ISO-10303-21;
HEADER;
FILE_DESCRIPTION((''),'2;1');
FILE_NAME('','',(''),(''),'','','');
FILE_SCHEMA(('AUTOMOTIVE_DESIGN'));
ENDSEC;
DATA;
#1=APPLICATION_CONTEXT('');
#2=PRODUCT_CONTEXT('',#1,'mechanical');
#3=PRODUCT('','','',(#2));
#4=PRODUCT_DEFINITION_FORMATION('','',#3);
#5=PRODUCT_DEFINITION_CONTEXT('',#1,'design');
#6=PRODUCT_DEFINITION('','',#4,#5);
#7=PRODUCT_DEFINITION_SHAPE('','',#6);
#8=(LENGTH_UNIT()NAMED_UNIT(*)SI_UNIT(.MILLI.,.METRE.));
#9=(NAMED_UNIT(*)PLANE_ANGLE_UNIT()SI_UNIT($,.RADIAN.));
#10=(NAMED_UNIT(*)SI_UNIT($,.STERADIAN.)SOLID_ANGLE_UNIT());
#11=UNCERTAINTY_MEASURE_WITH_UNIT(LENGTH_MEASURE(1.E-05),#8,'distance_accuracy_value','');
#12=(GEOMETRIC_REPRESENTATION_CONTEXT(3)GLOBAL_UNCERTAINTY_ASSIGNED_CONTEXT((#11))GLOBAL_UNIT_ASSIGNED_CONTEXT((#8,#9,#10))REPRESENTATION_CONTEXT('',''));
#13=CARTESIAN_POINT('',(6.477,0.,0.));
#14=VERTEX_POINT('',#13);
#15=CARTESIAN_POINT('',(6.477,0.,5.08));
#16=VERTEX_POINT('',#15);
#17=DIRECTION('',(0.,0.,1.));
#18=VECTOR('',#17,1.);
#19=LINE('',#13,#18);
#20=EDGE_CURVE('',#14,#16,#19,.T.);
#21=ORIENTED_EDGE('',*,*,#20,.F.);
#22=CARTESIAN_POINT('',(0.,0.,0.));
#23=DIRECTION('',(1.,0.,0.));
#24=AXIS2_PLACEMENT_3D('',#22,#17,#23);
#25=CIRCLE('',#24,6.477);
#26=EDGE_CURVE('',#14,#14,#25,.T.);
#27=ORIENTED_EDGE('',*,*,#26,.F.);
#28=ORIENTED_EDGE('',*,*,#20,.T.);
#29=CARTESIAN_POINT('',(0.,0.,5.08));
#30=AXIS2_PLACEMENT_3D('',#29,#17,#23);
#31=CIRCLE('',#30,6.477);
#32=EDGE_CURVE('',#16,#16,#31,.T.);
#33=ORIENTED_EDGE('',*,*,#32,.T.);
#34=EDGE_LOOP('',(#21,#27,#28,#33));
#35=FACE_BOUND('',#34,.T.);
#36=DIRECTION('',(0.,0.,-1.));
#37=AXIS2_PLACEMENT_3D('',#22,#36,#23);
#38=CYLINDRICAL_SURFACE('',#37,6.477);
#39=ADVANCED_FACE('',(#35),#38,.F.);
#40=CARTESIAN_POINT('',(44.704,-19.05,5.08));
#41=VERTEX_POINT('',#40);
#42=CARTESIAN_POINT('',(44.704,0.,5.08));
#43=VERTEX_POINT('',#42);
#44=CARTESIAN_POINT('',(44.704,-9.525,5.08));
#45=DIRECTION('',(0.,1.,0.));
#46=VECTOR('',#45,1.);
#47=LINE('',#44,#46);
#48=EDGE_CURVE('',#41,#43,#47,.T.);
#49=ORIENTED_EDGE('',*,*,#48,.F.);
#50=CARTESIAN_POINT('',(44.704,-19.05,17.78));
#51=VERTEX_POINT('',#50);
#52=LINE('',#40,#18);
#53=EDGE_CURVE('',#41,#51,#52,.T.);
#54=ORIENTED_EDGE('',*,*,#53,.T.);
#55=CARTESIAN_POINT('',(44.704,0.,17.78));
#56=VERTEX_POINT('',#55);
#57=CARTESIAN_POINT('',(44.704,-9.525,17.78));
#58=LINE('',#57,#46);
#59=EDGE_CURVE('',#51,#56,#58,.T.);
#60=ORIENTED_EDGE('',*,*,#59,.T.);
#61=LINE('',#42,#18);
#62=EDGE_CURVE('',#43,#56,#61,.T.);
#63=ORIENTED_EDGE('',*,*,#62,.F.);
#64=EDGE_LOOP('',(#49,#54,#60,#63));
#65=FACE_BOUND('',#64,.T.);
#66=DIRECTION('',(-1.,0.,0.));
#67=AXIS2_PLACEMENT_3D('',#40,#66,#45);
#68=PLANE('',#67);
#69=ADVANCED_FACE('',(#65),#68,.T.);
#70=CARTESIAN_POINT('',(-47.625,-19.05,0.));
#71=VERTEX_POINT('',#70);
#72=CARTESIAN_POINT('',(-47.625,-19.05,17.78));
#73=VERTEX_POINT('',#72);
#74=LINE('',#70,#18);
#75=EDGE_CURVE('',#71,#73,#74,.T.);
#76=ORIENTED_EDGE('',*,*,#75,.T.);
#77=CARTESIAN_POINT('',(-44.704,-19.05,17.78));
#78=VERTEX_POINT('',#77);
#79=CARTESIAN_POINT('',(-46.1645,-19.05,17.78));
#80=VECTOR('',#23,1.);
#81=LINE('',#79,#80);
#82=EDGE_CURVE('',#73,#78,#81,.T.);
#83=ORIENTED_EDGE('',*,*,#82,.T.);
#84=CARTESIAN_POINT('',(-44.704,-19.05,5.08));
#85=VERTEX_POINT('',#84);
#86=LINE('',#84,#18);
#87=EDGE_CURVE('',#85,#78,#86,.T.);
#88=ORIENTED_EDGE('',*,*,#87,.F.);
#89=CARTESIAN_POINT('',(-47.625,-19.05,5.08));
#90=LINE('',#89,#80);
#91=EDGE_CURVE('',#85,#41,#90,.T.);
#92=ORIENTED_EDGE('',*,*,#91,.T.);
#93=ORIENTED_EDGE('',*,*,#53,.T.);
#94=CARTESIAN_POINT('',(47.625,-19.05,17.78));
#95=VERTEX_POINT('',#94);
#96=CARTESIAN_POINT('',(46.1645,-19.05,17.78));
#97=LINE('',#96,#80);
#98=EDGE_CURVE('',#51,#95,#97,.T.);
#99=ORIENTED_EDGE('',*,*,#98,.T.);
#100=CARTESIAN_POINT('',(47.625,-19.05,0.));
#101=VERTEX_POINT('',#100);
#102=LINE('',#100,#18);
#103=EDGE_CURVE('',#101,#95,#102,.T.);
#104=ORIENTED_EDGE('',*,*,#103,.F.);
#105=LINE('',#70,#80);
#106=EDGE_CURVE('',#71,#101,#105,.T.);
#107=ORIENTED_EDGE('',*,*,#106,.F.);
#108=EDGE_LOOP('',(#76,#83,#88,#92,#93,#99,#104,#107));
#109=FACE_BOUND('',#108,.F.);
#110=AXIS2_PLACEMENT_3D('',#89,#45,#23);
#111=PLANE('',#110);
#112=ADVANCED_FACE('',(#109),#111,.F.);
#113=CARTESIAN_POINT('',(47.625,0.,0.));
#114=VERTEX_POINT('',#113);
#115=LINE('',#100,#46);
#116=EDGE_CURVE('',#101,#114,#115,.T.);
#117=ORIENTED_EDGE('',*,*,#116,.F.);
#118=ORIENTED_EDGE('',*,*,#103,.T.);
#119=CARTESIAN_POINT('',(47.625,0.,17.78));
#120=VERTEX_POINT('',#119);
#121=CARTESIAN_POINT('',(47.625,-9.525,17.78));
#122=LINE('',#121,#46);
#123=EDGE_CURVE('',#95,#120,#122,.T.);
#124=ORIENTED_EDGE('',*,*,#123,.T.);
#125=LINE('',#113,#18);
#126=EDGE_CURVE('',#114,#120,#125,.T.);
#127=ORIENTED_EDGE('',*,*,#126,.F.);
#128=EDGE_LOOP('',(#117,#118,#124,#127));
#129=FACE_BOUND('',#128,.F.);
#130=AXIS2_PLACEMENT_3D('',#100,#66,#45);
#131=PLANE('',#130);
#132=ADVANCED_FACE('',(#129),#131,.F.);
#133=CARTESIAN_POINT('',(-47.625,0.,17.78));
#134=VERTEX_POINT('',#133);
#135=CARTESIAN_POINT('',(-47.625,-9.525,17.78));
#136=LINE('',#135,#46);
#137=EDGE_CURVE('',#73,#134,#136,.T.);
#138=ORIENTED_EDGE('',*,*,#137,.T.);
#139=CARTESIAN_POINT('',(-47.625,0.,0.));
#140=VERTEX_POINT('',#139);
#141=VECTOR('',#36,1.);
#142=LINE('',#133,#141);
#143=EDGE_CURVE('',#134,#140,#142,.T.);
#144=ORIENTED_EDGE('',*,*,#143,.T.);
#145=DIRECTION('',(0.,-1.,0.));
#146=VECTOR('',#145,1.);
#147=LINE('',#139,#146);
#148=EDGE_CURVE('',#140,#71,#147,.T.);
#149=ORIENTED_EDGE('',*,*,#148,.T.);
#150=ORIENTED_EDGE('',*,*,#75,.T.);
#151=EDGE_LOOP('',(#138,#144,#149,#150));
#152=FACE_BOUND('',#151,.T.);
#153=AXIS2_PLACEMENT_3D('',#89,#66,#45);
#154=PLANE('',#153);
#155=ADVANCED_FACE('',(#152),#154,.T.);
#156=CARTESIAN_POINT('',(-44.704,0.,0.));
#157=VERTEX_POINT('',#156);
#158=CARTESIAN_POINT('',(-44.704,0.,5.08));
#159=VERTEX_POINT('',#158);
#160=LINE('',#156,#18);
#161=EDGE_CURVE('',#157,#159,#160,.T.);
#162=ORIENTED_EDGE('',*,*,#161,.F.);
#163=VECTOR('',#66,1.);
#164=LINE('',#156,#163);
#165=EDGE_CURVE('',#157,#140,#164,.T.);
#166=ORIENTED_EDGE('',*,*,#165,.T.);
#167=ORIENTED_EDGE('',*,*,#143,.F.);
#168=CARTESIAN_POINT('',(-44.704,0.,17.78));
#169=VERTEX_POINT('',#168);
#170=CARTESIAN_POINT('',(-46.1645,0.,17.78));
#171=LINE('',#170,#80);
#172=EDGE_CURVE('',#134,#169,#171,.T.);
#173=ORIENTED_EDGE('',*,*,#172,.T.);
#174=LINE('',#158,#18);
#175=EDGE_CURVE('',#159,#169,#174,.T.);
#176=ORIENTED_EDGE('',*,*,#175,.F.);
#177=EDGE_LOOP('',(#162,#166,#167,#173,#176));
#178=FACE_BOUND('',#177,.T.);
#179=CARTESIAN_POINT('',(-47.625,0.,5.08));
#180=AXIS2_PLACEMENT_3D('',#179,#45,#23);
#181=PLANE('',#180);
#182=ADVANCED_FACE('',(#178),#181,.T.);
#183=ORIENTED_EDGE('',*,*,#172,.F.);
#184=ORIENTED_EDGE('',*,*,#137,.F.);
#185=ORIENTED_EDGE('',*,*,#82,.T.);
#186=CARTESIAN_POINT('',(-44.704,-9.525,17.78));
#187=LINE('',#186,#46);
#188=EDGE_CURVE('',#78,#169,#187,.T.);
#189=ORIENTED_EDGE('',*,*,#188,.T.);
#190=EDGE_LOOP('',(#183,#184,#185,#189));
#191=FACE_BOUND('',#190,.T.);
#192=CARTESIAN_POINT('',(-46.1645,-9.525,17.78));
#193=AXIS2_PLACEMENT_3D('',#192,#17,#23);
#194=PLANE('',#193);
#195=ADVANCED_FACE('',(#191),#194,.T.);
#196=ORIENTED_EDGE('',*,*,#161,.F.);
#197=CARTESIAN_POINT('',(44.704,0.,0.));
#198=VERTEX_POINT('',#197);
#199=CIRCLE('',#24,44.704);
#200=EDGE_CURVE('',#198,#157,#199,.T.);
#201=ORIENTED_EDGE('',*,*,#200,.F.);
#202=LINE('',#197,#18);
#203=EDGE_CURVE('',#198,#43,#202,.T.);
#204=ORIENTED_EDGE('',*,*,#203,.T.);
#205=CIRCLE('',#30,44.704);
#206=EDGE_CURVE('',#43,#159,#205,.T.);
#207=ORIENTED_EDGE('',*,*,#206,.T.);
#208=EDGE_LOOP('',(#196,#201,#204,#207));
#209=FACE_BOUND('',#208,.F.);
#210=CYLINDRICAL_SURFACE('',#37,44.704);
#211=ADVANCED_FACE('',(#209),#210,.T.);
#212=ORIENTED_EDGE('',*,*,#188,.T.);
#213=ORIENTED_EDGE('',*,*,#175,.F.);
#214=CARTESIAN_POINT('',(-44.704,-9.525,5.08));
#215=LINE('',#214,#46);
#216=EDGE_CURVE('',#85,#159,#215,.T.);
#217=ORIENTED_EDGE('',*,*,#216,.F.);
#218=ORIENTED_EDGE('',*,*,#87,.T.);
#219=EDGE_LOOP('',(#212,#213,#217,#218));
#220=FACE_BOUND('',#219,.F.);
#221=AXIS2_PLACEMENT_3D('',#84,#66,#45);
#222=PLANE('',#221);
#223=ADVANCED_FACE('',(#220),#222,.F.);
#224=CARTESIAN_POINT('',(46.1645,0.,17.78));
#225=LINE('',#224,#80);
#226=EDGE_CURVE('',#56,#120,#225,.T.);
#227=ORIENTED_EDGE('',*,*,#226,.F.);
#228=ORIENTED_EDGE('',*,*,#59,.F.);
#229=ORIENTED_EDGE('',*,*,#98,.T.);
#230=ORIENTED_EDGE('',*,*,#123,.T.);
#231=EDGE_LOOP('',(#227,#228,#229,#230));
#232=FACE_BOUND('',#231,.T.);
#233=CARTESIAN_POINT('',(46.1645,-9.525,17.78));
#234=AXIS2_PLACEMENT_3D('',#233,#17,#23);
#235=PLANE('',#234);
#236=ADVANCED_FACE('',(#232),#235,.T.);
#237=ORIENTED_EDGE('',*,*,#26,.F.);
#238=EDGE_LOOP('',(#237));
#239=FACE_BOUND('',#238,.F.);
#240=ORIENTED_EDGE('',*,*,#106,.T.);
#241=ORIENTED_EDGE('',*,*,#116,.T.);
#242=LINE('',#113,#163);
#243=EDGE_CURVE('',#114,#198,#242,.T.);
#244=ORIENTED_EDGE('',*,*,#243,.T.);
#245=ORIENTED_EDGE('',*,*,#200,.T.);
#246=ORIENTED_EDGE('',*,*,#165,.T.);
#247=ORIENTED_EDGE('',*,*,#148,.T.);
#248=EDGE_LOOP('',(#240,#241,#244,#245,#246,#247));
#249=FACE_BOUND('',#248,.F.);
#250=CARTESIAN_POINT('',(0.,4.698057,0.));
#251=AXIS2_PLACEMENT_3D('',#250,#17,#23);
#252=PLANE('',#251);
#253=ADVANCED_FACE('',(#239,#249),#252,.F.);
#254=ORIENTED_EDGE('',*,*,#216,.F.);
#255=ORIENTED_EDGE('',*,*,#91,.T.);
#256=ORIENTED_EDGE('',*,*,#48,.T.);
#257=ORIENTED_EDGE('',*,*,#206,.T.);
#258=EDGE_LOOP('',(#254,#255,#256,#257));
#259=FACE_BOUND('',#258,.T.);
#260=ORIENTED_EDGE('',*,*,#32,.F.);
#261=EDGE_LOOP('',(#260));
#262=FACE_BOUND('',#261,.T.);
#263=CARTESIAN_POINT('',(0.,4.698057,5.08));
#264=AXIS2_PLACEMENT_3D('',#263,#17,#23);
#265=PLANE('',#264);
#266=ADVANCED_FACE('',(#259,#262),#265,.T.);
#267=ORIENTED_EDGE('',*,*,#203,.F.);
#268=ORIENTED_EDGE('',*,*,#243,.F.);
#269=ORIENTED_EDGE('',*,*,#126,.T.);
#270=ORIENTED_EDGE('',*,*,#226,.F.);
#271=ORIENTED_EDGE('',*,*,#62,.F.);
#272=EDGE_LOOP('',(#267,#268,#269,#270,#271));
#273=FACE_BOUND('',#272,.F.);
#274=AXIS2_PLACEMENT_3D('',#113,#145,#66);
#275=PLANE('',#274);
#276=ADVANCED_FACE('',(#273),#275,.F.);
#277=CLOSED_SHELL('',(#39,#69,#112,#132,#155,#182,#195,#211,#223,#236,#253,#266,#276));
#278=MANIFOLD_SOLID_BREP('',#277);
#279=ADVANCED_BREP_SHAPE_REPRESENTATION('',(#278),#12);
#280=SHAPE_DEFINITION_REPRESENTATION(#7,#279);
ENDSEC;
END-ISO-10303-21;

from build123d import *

# Parameters (mm, degrees)
F0_R     = 6.477
F1_DEPTH = 5.08
F2_W     = 2.921
F2_H     = 19.05
F3_DEPTH = 12.7


with BuildPart() as f1:
    # F0 (on Top) → F1 (new body)
    with BuildSketch(Plane.XY):
        with BuildLine():
            Line((47.625, 0), (44.704, 0))
            ThreePointArc((44.704, 0), (0, 44.704), (-44.704, 0))
            Line((-44.704, 0), (-47.625, 0))
            Line((-47.625, 0), (-47.625, -19.05))
            Line((-47.625, -19.05), (47.625, -19.05))
            Line((47.625, -19.05), (47.625, 0))
        make_face()
        Circle(F0_R, mode=Mode.SUBTRACT)
    extrude(amount=F1_DEPTH)

    # F2 (on face) → F3 (join)
    with BuildSketch(Plane.XY.offset(5.08)):
        with Locations((-46.1645, -9.525)):
            Rectangle(F2_W, F2_H)
        with Locations((46.1645, -9.525)):
            Rectangle(F2_W, F2_H)
    extrude(amount=F3_DEPTH)


solid = f1.part
